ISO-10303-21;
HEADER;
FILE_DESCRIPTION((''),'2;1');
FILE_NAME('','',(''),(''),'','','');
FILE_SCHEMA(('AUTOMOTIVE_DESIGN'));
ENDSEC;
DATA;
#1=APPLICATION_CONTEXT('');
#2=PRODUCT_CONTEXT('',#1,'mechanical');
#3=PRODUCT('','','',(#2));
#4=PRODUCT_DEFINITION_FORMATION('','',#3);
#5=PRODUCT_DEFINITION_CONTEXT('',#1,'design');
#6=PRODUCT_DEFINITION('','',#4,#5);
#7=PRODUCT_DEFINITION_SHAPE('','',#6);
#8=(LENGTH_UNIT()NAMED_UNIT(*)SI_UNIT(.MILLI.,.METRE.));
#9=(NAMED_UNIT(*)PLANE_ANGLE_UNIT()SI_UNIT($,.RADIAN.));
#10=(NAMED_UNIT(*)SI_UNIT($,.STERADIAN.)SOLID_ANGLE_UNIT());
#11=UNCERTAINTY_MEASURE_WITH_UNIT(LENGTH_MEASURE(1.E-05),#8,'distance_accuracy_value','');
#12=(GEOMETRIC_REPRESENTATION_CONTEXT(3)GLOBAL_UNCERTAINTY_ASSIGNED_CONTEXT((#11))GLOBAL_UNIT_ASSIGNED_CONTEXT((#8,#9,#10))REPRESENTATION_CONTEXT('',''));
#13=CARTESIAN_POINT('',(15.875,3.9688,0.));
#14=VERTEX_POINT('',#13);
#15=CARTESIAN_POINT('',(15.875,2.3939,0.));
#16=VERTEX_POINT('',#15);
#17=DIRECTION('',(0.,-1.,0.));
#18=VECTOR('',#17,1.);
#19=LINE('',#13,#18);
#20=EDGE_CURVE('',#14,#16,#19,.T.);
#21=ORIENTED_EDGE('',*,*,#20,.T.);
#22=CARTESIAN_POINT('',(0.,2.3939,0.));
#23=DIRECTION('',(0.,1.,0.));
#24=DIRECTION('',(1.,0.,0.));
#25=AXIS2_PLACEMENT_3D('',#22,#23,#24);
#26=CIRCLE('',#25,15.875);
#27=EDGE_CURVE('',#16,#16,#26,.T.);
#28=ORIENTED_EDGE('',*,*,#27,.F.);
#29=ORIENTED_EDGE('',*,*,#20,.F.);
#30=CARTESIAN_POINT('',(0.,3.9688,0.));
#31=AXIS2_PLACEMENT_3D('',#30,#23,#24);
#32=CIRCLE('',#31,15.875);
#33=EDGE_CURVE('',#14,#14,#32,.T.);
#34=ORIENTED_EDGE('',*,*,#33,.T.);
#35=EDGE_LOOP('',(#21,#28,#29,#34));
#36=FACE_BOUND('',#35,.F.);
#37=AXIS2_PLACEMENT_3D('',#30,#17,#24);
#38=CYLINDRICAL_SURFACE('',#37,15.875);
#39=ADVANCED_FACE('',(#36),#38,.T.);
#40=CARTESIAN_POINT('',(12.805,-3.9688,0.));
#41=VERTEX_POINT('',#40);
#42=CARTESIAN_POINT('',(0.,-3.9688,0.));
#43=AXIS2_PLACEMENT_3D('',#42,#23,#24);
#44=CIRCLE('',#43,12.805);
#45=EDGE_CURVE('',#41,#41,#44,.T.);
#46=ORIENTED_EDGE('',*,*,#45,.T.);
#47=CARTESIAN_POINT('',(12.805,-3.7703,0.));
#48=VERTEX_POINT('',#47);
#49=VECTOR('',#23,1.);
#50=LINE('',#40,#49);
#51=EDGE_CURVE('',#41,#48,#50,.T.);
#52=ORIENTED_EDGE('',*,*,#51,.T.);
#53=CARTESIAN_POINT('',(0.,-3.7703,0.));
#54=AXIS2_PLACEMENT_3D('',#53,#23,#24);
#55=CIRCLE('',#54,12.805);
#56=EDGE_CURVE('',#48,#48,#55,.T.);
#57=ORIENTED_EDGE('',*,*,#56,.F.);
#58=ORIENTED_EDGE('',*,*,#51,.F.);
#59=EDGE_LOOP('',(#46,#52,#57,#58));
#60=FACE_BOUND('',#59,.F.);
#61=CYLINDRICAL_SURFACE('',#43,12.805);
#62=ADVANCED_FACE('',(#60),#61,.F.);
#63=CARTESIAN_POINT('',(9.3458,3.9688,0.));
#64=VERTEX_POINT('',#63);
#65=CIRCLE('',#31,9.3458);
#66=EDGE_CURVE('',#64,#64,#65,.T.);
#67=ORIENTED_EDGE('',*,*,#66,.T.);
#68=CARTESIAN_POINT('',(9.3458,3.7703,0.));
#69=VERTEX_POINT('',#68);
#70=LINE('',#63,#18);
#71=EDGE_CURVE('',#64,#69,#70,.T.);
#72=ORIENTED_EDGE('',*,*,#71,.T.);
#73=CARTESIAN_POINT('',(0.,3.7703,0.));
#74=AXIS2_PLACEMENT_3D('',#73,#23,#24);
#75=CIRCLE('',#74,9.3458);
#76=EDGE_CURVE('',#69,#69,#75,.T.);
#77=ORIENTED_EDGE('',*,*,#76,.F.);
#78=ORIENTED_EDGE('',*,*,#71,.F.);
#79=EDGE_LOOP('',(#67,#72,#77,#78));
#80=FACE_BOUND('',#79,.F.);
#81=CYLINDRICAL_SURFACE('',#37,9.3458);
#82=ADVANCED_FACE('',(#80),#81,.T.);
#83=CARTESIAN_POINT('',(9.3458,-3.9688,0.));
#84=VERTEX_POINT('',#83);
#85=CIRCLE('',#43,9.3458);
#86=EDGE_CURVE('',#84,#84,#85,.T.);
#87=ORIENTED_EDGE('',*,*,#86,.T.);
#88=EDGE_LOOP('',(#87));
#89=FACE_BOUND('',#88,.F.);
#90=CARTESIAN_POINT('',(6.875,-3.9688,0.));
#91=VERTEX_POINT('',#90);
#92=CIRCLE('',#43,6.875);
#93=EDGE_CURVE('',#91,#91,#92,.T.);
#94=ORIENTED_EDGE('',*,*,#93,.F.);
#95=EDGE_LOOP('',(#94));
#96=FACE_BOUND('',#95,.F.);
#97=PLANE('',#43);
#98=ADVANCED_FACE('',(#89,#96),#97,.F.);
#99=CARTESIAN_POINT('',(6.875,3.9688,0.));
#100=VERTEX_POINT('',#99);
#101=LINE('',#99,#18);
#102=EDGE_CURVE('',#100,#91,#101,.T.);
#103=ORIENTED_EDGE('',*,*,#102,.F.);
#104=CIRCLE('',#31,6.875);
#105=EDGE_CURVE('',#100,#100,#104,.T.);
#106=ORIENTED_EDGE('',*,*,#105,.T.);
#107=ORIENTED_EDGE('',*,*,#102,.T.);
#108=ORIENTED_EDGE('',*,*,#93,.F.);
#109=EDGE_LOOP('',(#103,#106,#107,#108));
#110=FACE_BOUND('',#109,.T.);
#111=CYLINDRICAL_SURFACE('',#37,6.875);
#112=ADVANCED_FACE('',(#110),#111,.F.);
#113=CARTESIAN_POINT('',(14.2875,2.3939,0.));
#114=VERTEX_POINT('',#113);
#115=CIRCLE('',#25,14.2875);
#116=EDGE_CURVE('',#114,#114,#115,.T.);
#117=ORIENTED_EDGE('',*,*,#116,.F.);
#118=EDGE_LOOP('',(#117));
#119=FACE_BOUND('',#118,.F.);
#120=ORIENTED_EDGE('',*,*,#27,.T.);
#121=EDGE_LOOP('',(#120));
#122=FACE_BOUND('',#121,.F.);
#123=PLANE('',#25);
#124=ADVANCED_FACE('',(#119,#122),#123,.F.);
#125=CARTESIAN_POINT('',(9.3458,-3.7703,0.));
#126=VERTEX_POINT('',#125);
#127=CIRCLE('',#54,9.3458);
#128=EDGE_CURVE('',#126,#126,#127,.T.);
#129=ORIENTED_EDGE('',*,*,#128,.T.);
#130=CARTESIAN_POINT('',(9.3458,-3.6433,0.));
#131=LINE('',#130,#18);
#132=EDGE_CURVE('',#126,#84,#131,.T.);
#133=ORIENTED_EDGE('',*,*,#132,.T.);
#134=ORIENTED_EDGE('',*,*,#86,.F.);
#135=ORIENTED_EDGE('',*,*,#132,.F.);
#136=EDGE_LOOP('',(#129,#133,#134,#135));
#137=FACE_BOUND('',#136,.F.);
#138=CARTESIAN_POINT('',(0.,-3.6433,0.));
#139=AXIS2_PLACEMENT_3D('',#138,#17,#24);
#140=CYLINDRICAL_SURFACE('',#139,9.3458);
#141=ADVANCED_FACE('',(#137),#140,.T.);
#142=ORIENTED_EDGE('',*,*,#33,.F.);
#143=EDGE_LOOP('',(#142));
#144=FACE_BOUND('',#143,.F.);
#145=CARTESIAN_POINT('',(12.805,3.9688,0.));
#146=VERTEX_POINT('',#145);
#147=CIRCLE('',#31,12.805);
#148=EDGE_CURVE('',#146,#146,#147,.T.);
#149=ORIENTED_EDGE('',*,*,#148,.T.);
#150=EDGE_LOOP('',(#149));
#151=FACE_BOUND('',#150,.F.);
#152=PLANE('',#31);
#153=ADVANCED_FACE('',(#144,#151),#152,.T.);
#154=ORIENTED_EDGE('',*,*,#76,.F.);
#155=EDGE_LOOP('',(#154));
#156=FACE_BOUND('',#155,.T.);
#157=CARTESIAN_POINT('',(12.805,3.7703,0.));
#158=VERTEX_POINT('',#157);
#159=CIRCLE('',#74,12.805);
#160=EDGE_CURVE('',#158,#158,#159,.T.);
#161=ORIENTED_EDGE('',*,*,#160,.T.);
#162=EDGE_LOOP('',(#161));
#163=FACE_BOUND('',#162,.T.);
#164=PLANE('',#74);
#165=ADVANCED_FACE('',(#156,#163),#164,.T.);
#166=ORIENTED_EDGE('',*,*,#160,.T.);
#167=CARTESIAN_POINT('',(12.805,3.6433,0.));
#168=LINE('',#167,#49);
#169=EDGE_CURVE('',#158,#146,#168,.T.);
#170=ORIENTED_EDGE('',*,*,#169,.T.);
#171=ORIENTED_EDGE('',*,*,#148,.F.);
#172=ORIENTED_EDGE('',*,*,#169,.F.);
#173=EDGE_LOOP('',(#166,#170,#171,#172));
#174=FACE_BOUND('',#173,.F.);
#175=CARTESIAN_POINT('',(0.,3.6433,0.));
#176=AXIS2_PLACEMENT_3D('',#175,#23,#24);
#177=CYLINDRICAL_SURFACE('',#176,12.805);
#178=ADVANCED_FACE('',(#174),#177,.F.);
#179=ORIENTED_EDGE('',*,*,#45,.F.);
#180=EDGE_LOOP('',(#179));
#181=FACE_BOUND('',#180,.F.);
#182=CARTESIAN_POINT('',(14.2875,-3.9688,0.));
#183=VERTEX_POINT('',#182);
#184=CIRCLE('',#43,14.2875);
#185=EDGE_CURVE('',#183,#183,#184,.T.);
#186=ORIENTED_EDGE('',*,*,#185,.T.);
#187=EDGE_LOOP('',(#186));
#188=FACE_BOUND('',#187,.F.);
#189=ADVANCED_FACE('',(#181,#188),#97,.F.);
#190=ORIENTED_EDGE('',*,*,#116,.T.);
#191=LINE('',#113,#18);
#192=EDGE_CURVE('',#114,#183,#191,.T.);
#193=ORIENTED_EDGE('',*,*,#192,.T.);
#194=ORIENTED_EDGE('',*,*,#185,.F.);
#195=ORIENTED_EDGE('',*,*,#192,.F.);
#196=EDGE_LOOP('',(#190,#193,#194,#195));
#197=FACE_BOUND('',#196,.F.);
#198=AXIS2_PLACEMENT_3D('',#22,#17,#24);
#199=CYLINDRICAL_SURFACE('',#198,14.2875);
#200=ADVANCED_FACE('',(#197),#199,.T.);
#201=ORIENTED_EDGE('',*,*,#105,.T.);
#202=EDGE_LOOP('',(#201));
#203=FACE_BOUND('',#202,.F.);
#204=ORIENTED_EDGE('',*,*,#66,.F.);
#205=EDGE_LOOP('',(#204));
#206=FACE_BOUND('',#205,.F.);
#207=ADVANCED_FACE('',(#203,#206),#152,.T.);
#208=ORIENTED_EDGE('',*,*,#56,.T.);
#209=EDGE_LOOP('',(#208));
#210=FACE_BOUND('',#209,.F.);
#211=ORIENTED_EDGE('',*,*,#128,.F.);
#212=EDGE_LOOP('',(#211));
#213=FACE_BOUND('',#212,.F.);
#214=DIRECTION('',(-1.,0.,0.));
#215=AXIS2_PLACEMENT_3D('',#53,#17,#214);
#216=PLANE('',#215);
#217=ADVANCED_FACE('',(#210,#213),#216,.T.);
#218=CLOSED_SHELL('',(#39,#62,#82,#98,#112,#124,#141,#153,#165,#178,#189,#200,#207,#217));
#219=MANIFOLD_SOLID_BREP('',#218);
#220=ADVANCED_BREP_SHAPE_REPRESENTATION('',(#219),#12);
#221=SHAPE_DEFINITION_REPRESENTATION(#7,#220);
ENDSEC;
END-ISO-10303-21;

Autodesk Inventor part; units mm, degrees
ref_plane "YZ Plane" through (0, 0, 0) normal (1, 0, 0) x (0, 1, 0)
ref_plane "XZ Plane" through (0, 0, 0) normal (0, 1, 0) x (-1, 0, 0)
ref_plane "XY Plane" through (0, 0, 0) normal (0, 0, 1) x (1, 0, 0)
sketch "Sketch15" plane through (0, 0, 0) normal (0, 0, 1) x (1, 0, 0)
  line L0 (0, 0) -> (0, 6.6558) construction
  line L1 (0, 0) -> (6.875, 3.9688) construction
  line L2 (6.875, 3.9688) -> (6.875, -3.9688)
  line L3 (6.875, -3.9688) -> (0, 0) construction
  line L4 (6.875, 3.9688) -> (9.3458, 3.9688)
  line L5 (9.3458, 3.9688) -> (9.3458, 3.6433)
  line L6 (9.3458, 3.6433) -> (12.805, 3.6433)
  line L7 (12.805, 3.6433) -> (12.805, 3.9688)
  line L8 (12.805, 3.9688) -> (15.875, 3.9688)
  line L9 (15.875, 3.9688) -> (15.875, 2.3939)
  line L10 (15.875, 2.3939) -> (14.2875, 2.3939)
  line L11 (14.2875, 2.3939) -> (14.2875, -3.9688)
  line L12 (14.2875, -3.9688) -> (12.805, -3.9688)
  line L13 (12.805, -3.9688) -> (12.805, -3.6433)
  line L14 (12.805, -3.6433) -> (9.3458, -3.6433)
  line L15 (9.3458, -3.6433) -> (9.3458, -3.9688)
  line L16 (9.3458, -3.9688) -> (6.875, -3.9688)
  dimension "FlangeOD" = 31.75
  dimension "FlangeThickness" = 1.5748
  dimension "BearingID" = 13.75
  dimension "BearingOD" = 28.575
  dimension "d177" = 7.2866
  dimension "BearingThickness" = 7.9375
  dimension "d179" = 2.4708
  dimension "d180" = 1.4825
  dimension "d181" = 7.4125
revolve "Revolution1" add sketch "Sketch15" angle 360 about axis through (0, 0, 0) along (0, 1, 0)
sketch "Sketch17" plane through (0, 3.9687, 0) normal (0, 1, 0) x (1, 0, 0)
  circle A0 centre (0, 0) radius 6.875 projected
  line L0 (-7.9386, 0) -> (-3.9693, 6.875)
  line L1 (-3.9693, 6.875) -> (3.9693, 6.875)
  line L2 (3.9693, 6.875) -> (7.9386, 0)
  line L3 (7.9386, 0) -> (3.9693, -6.875)
  line L4 (3.9693, -6.875) -> (-3.9693, -6.875)
  line L5 (-3.9693, -6.875) -> (-7.9386, 0)
  point P0 (0, 0)
extrude "Hex" [suppressed]
sketch "Sketch16" plane through (0, 3.6433, 0) normal (0, 1, 0) x (1, 0, 0)
  circle A0 centre (0, 0) radius 9.3458 projected
  circle A1 centre (0, 0) radius 12.805 projected
extrude "Shielded" add sketch "Sketch16" along normal blind 0.127
mirror "Shielded Mirror" about plane through (0, 0, 0) normal (0, 1, 0) of "Shielded"
sketch "Sketch18" plane through (0, 3.6433, 0) normal (0, 1, 0) x (1, 0, 0)
  circle A0 centre (0, 0) radius 2.6458 projected
  circle A1 centre (0, 0) radius 4.1275 projected
extrude "Sealed" [suppressed]
mirror "Sealed Mirror" [suppressed]
equation "\"pi\" = 3.141593"
properties part number "217-4006" material "Steel"
